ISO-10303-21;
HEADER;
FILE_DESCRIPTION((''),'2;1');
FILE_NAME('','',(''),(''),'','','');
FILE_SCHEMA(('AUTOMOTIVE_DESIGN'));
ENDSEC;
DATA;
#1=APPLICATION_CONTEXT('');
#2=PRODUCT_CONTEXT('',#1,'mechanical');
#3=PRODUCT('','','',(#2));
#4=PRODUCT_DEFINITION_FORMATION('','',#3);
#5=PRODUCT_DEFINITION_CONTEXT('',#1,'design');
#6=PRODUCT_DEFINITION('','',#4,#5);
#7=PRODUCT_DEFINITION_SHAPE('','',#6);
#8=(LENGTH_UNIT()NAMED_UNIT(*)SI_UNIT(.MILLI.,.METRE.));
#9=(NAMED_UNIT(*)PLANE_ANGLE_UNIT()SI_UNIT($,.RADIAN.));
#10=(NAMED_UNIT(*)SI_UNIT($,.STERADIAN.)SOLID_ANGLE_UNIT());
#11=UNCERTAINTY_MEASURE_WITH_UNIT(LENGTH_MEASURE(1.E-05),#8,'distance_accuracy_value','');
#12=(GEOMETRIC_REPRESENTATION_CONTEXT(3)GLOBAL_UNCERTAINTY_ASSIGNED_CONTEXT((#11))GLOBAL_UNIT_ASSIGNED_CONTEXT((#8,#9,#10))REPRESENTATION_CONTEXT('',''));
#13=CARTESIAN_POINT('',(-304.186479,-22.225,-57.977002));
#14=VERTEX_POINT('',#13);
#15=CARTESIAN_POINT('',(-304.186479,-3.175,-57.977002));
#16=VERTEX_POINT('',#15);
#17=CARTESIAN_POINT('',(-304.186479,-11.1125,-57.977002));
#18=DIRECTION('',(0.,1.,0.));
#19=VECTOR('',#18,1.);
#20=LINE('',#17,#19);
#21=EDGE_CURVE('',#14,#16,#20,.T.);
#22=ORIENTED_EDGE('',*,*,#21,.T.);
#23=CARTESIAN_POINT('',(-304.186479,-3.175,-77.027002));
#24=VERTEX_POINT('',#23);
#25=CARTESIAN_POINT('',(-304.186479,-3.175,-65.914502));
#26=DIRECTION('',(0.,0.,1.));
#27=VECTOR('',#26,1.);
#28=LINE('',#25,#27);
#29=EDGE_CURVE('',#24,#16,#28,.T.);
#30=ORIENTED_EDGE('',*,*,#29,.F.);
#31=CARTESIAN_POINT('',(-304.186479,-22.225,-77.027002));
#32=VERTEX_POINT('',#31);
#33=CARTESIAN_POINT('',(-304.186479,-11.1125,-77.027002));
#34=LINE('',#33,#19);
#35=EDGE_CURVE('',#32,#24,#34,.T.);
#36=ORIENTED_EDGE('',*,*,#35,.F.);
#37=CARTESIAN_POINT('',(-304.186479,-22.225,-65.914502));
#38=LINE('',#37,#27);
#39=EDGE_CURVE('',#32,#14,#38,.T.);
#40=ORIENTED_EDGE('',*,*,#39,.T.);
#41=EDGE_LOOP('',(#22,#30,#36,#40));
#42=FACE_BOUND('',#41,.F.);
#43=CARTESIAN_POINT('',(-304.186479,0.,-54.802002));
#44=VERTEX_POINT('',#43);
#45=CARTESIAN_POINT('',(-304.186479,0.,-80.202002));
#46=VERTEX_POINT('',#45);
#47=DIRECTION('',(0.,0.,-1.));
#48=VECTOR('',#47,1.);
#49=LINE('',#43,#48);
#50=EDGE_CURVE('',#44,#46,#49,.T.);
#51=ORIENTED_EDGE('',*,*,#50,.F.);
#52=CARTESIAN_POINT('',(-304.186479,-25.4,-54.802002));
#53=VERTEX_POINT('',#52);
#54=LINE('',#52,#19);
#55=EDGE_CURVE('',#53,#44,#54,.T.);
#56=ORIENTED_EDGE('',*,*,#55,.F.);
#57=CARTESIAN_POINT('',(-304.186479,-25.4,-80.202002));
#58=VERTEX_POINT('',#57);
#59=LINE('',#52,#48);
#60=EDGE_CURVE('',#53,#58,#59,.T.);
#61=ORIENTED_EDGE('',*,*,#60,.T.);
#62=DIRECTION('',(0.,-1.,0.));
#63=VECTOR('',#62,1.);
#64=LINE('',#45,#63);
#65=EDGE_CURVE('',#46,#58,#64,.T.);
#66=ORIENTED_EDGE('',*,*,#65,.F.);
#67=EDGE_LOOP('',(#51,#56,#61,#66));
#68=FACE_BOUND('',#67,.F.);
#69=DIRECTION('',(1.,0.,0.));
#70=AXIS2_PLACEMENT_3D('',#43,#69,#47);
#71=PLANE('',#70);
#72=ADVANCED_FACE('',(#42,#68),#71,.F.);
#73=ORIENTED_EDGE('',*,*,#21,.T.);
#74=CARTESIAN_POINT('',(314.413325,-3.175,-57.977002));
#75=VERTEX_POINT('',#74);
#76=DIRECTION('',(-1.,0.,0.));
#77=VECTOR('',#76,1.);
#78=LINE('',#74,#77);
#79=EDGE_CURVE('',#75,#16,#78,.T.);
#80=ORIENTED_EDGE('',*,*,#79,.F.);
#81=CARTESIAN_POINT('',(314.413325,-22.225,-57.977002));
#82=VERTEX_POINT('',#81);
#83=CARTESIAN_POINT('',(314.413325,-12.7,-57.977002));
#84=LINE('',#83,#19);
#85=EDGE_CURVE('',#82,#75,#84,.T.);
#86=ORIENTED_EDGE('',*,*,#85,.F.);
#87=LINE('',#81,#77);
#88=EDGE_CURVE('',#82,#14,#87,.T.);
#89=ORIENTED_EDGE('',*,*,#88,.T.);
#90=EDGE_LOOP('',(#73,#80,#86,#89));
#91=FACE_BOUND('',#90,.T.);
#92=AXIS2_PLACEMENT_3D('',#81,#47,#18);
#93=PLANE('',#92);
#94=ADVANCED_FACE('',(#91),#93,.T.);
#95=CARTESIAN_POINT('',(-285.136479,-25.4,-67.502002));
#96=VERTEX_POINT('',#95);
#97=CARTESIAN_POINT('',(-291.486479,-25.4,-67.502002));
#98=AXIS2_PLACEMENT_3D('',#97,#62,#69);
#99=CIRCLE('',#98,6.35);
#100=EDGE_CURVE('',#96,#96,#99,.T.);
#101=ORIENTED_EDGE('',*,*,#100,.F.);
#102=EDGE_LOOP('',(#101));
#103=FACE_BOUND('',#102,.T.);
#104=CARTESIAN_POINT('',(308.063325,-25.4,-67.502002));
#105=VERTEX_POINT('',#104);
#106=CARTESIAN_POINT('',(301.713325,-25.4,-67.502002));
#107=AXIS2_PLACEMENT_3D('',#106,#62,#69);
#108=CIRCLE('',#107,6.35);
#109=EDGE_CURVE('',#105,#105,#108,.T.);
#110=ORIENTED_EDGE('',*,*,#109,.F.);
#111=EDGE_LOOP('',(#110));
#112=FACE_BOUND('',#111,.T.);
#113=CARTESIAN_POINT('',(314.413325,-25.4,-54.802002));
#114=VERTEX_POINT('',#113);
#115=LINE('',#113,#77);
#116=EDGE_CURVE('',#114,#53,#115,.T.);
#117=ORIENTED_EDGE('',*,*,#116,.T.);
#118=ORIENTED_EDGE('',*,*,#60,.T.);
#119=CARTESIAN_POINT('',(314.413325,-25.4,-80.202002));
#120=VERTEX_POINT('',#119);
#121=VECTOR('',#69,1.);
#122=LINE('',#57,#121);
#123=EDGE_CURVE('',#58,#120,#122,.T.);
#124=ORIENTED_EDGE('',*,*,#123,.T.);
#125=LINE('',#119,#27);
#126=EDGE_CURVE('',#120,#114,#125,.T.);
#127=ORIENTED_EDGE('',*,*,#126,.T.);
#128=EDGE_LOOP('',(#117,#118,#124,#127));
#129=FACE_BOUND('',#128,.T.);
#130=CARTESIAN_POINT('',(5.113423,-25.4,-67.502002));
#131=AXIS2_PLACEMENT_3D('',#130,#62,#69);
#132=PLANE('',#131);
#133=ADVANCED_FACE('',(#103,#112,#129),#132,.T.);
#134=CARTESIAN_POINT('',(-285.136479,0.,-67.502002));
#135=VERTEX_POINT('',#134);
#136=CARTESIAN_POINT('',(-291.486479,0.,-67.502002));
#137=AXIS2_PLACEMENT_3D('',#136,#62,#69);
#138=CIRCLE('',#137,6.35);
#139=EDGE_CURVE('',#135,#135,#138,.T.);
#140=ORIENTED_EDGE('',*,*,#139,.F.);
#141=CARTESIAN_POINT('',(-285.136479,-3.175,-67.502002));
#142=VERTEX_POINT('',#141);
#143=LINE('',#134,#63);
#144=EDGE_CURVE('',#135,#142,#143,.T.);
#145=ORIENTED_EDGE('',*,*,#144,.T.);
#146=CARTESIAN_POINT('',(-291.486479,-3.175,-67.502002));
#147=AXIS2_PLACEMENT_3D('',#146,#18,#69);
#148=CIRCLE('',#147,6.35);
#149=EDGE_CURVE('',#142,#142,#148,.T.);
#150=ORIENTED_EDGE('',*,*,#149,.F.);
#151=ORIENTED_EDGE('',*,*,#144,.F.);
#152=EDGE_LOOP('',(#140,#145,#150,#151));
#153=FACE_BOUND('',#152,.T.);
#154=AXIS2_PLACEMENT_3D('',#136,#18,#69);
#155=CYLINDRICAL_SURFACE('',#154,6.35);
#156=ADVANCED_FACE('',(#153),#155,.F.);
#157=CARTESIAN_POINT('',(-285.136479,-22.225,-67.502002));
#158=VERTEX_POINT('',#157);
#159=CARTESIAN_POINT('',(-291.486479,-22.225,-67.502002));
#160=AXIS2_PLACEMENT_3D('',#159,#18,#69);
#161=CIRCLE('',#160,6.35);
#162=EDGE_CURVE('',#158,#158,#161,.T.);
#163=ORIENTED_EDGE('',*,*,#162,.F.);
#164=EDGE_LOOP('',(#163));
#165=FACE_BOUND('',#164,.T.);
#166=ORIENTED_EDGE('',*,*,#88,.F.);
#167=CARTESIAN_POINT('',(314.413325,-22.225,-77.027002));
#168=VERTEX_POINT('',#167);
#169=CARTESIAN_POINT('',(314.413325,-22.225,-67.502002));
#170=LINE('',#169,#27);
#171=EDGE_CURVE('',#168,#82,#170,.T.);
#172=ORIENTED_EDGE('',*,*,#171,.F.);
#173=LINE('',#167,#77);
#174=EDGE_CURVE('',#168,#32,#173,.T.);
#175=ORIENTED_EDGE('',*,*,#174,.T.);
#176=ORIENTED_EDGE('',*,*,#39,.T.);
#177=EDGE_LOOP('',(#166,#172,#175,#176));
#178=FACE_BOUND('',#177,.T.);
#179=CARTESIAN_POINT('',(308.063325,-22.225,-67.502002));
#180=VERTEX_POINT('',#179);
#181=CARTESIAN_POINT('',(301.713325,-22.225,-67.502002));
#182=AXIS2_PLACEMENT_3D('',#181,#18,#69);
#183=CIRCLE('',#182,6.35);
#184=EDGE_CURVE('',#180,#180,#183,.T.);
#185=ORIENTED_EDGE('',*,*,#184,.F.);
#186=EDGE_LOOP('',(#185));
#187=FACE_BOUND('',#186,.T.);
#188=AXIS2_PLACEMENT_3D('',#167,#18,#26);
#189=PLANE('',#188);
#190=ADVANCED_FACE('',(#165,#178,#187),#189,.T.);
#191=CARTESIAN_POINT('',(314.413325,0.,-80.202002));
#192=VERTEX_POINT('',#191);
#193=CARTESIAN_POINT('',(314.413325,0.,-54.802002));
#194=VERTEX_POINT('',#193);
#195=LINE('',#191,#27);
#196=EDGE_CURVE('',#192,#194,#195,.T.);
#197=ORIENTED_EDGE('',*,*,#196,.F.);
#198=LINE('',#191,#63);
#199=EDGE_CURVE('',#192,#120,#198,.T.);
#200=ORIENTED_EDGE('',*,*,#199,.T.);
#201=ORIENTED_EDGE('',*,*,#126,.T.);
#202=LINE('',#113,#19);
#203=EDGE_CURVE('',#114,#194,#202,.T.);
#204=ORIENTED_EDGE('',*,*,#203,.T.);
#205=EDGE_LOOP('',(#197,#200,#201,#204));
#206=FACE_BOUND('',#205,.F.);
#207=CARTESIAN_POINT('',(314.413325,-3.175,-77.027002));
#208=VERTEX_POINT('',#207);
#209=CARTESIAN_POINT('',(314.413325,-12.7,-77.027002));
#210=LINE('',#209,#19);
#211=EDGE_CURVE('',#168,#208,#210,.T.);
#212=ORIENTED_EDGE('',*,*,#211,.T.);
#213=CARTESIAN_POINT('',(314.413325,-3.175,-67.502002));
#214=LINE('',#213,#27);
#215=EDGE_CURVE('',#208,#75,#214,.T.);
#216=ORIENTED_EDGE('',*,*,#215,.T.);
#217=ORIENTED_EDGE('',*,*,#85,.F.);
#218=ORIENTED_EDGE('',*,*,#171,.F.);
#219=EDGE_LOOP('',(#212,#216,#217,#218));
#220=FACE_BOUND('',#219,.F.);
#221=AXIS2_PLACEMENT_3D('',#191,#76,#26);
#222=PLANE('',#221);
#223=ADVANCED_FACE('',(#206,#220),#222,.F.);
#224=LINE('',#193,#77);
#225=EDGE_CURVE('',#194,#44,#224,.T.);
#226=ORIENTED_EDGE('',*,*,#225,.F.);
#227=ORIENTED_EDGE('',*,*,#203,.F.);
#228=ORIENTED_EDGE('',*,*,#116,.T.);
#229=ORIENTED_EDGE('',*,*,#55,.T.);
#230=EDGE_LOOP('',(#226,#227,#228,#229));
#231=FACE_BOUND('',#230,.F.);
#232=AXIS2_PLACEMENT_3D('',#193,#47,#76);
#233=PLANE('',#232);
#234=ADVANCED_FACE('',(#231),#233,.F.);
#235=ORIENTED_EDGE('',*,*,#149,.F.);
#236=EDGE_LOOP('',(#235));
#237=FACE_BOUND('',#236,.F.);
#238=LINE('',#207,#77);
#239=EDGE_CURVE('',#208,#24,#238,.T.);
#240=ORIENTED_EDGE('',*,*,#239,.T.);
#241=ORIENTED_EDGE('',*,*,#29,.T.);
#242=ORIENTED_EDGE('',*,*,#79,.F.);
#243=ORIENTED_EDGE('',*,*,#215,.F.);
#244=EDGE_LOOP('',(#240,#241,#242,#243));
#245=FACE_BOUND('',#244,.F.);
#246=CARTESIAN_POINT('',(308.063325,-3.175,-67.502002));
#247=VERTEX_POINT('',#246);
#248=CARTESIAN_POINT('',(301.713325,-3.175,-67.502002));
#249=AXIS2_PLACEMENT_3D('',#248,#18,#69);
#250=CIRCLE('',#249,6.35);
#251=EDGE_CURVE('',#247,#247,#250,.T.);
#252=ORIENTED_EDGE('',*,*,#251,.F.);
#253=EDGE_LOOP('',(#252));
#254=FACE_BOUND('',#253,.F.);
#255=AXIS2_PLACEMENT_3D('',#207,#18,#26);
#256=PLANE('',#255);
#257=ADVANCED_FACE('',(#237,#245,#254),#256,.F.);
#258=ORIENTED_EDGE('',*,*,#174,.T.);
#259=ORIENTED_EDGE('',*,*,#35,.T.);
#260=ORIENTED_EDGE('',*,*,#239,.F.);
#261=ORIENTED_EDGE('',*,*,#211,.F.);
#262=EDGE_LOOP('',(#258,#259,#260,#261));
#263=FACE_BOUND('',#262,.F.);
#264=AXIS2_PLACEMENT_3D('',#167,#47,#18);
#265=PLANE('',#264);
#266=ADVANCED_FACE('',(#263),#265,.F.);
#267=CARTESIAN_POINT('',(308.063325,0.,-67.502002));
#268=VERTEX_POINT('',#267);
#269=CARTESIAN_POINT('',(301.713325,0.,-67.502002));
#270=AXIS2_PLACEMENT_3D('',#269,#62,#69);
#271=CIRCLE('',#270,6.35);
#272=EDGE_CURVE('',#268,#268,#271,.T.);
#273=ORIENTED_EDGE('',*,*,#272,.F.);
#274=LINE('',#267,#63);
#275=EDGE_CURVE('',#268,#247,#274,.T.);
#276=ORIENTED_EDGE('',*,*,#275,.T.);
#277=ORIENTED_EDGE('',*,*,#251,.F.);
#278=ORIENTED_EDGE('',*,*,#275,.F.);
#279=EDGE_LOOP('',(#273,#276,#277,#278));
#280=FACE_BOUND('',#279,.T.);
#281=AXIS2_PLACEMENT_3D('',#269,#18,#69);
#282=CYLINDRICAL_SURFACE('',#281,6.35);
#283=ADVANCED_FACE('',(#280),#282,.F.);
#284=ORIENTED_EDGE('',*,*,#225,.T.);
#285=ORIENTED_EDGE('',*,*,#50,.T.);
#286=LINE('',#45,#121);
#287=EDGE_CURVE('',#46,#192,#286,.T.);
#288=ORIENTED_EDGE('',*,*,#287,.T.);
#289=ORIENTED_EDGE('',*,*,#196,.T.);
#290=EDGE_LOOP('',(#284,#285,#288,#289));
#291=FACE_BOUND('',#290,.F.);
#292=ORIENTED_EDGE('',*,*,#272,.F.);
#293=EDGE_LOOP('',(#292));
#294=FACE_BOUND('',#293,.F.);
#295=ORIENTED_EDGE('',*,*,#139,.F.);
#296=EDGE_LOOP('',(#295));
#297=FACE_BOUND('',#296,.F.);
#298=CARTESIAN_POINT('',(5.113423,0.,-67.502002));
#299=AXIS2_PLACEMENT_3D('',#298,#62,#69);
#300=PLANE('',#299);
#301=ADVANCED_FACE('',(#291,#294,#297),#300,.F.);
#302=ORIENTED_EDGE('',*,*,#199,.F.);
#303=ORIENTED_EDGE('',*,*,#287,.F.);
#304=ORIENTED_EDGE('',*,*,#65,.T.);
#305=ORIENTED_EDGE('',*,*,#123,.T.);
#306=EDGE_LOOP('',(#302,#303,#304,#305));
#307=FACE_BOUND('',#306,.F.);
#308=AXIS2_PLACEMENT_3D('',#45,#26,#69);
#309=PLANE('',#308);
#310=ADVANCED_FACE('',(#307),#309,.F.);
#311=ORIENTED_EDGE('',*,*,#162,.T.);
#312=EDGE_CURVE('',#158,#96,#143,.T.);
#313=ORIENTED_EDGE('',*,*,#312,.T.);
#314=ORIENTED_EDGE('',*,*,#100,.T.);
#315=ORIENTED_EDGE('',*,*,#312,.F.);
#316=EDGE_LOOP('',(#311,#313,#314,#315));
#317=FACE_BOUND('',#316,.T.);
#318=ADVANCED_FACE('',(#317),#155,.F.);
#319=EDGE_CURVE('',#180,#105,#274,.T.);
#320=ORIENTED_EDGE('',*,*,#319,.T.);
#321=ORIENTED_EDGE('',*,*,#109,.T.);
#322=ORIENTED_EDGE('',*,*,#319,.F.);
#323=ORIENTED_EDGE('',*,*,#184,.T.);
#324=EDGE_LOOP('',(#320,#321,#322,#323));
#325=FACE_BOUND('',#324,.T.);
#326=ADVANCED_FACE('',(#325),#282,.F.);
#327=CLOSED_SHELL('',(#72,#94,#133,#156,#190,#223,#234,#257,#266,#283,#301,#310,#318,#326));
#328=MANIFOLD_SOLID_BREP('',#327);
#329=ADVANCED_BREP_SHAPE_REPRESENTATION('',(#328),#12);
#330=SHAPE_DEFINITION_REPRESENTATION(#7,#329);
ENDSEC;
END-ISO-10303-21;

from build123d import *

# Parameters (mm, degrees)
F0_R     = 6.35
F1_DEPTH = 15.875
F2_DEPTH = 25.4
F3_W     = 19.05
F3_H     = 19.05
F4_DEPTH = 618.600804


with BuildPart() as f1:
    # F0 (on Front) → F1 (new body)
    with BuildSketch(Plane.XZ):
        Polygon((301.713325, -54.802002), (-291.486479, -54.802002), (-304.186479, -54.802002), (-304.186479, -80.202002), (-291.486479, -80.202002), (301.713325, -80.202002), (314.413325, -80.202002), (314.413325, -54.802002), align=None)
        with Locations((-291.486479, -67.502002)):
            Circle(F0_R, mode=Mode.SUBTRACT)
        with Locations((301.713325, -67.502002)):
            Circle(F0_R, mode=Mode.SUBTRACT)
    extrude(amount=F1_DEPTH)

    # F0 (on Front) → F2 (join)
    with BuildSketch(Plane.XZ):
        Polygon((301.713325, -54.802002), (-291.486479, -54.802002), (-304.186479, -54.802002), (-304.186479, -80.202002), (-291.486479, -80.202002), (301.713325, -80.202002), (314.413325, -80.202002), (314.413325, -54.802002), align=None)
        with Locations((-291.486479, -67.502002)):
            Circle(F0_R, mode=Mode.SUBTRACT)
        with Locations((301.713325, -67.502002)):
            Circle(F0_R, mode=Mode.SUBTRACT)
    extrude(amount=F2_DEPTH)

    # F3 (on face) → F4 (cut, through all)
    with BuildSketch(Plane.YZ.offset(314.413325)):
        with Locations((-12.7, -67.502002)):
            Rectangle(F3_W, F3_H)
    extrude(amount=-F4_DEPTH, mode=Mode.SUBTRACT)


solid = f1.part
